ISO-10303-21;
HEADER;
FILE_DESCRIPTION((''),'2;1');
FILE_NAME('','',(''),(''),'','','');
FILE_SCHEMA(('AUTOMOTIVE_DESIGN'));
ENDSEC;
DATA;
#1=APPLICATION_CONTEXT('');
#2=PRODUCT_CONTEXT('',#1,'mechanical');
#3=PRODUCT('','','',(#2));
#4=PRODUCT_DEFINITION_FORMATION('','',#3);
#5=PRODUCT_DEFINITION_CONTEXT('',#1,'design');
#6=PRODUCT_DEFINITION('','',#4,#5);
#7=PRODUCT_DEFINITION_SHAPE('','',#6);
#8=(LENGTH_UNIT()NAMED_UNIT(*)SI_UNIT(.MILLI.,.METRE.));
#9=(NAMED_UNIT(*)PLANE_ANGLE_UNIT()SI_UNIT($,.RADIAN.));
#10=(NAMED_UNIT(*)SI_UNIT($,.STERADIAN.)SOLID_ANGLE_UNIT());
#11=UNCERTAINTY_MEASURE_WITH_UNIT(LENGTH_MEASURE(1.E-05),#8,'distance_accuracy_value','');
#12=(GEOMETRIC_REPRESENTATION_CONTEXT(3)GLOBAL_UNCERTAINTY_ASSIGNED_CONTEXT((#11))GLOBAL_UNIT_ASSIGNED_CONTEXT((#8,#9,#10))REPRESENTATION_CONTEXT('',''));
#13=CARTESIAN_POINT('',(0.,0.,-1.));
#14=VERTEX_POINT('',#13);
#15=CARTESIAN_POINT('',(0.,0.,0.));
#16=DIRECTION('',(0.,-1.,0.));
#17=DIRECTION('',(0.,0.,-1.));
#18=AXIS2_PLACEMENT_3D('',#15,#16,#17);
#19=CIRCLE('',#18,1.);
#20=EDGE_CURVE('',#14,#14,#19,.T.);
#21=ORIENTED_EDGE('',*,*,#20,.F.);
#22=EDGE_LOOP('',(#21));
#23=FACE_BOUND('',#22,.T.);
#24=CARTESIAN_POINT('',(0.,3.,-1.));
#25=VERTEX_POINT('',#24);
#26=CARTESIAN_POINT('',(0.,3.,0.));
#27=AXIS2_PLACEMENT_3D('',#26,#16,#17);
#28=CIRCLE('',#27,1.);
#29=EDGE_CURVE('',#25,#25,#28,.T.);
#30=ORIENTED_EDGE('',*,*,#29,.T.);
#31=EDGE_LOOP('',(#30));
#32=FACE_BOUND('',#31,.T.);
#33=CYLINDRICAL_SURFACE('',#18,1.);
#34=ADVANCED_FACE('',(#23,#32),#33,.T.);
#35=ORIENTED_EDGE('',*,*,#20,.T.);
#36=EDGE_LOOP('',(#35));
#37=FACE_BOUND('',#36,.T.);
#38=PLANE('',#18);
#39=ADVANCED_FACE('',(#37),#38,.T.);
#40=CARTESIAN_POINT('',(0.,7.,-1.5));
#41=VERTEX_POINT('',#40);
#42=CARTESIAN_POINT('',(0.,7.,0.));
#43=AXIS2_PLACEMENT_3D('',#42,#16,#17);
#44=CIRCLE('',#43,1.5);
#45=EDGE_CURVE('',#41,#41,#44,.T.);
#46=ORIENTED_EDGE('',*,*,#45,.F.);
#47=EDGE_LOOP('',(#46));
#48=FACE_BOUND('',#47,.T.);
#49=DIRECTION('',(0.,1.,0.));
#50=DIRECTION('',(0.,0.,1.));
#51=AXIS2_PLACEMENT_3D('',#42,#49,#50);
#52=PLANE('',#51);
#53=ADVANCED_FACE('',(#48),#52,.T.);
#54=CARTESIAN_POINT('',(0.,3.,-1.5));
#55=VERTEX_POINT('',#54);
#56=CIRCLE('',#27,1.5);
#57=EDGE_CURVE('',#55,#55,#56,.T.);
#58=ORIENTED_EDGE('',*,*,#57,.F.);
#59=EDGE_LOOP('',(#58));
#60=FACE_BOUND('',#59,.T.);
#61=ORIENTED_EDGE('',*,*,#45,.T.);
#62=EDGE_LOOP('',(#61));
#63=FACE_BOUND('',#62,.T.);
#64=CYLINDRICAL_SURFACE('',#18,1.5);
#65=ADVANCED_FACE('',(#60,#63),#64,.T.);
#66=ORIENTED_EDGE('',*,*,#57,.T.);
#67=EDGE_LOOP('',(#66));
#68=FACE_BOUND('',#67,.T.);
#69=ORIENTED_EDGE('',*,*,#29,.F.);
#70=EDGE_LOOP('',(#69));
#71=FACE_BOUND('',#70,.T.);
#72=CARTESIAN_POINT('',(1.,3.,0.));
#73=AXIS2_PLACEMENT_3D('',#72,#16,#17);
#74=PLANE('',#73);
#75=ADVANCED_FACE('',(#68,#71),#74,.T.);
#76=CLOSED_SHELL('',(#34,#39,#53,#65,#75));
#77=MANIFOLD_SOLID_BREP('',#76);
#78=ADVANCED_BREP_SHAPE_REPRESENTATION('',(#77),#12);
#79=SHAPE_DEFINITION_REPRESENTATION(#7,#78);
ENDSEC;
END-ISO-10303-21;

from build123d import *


with BuildPart() as part:
    # Sketch1 → Revolve1 (revolve)
    with BuildSketch(Plane.XY, mode=Mode.PRIVATE) as revolve1_sk:
        Polygon((0, 0), (0, 7), (1.5, 7), (1.5, 3), (1, 3), (1, 0), align=None)
    revolve(revolve1_sk.sketch.rotate(Axis((0, 0, 0), (0, 1, 0)), 90), axis=Axis((0, 0, 0), (0, 1, 0)))


solid = part.part
